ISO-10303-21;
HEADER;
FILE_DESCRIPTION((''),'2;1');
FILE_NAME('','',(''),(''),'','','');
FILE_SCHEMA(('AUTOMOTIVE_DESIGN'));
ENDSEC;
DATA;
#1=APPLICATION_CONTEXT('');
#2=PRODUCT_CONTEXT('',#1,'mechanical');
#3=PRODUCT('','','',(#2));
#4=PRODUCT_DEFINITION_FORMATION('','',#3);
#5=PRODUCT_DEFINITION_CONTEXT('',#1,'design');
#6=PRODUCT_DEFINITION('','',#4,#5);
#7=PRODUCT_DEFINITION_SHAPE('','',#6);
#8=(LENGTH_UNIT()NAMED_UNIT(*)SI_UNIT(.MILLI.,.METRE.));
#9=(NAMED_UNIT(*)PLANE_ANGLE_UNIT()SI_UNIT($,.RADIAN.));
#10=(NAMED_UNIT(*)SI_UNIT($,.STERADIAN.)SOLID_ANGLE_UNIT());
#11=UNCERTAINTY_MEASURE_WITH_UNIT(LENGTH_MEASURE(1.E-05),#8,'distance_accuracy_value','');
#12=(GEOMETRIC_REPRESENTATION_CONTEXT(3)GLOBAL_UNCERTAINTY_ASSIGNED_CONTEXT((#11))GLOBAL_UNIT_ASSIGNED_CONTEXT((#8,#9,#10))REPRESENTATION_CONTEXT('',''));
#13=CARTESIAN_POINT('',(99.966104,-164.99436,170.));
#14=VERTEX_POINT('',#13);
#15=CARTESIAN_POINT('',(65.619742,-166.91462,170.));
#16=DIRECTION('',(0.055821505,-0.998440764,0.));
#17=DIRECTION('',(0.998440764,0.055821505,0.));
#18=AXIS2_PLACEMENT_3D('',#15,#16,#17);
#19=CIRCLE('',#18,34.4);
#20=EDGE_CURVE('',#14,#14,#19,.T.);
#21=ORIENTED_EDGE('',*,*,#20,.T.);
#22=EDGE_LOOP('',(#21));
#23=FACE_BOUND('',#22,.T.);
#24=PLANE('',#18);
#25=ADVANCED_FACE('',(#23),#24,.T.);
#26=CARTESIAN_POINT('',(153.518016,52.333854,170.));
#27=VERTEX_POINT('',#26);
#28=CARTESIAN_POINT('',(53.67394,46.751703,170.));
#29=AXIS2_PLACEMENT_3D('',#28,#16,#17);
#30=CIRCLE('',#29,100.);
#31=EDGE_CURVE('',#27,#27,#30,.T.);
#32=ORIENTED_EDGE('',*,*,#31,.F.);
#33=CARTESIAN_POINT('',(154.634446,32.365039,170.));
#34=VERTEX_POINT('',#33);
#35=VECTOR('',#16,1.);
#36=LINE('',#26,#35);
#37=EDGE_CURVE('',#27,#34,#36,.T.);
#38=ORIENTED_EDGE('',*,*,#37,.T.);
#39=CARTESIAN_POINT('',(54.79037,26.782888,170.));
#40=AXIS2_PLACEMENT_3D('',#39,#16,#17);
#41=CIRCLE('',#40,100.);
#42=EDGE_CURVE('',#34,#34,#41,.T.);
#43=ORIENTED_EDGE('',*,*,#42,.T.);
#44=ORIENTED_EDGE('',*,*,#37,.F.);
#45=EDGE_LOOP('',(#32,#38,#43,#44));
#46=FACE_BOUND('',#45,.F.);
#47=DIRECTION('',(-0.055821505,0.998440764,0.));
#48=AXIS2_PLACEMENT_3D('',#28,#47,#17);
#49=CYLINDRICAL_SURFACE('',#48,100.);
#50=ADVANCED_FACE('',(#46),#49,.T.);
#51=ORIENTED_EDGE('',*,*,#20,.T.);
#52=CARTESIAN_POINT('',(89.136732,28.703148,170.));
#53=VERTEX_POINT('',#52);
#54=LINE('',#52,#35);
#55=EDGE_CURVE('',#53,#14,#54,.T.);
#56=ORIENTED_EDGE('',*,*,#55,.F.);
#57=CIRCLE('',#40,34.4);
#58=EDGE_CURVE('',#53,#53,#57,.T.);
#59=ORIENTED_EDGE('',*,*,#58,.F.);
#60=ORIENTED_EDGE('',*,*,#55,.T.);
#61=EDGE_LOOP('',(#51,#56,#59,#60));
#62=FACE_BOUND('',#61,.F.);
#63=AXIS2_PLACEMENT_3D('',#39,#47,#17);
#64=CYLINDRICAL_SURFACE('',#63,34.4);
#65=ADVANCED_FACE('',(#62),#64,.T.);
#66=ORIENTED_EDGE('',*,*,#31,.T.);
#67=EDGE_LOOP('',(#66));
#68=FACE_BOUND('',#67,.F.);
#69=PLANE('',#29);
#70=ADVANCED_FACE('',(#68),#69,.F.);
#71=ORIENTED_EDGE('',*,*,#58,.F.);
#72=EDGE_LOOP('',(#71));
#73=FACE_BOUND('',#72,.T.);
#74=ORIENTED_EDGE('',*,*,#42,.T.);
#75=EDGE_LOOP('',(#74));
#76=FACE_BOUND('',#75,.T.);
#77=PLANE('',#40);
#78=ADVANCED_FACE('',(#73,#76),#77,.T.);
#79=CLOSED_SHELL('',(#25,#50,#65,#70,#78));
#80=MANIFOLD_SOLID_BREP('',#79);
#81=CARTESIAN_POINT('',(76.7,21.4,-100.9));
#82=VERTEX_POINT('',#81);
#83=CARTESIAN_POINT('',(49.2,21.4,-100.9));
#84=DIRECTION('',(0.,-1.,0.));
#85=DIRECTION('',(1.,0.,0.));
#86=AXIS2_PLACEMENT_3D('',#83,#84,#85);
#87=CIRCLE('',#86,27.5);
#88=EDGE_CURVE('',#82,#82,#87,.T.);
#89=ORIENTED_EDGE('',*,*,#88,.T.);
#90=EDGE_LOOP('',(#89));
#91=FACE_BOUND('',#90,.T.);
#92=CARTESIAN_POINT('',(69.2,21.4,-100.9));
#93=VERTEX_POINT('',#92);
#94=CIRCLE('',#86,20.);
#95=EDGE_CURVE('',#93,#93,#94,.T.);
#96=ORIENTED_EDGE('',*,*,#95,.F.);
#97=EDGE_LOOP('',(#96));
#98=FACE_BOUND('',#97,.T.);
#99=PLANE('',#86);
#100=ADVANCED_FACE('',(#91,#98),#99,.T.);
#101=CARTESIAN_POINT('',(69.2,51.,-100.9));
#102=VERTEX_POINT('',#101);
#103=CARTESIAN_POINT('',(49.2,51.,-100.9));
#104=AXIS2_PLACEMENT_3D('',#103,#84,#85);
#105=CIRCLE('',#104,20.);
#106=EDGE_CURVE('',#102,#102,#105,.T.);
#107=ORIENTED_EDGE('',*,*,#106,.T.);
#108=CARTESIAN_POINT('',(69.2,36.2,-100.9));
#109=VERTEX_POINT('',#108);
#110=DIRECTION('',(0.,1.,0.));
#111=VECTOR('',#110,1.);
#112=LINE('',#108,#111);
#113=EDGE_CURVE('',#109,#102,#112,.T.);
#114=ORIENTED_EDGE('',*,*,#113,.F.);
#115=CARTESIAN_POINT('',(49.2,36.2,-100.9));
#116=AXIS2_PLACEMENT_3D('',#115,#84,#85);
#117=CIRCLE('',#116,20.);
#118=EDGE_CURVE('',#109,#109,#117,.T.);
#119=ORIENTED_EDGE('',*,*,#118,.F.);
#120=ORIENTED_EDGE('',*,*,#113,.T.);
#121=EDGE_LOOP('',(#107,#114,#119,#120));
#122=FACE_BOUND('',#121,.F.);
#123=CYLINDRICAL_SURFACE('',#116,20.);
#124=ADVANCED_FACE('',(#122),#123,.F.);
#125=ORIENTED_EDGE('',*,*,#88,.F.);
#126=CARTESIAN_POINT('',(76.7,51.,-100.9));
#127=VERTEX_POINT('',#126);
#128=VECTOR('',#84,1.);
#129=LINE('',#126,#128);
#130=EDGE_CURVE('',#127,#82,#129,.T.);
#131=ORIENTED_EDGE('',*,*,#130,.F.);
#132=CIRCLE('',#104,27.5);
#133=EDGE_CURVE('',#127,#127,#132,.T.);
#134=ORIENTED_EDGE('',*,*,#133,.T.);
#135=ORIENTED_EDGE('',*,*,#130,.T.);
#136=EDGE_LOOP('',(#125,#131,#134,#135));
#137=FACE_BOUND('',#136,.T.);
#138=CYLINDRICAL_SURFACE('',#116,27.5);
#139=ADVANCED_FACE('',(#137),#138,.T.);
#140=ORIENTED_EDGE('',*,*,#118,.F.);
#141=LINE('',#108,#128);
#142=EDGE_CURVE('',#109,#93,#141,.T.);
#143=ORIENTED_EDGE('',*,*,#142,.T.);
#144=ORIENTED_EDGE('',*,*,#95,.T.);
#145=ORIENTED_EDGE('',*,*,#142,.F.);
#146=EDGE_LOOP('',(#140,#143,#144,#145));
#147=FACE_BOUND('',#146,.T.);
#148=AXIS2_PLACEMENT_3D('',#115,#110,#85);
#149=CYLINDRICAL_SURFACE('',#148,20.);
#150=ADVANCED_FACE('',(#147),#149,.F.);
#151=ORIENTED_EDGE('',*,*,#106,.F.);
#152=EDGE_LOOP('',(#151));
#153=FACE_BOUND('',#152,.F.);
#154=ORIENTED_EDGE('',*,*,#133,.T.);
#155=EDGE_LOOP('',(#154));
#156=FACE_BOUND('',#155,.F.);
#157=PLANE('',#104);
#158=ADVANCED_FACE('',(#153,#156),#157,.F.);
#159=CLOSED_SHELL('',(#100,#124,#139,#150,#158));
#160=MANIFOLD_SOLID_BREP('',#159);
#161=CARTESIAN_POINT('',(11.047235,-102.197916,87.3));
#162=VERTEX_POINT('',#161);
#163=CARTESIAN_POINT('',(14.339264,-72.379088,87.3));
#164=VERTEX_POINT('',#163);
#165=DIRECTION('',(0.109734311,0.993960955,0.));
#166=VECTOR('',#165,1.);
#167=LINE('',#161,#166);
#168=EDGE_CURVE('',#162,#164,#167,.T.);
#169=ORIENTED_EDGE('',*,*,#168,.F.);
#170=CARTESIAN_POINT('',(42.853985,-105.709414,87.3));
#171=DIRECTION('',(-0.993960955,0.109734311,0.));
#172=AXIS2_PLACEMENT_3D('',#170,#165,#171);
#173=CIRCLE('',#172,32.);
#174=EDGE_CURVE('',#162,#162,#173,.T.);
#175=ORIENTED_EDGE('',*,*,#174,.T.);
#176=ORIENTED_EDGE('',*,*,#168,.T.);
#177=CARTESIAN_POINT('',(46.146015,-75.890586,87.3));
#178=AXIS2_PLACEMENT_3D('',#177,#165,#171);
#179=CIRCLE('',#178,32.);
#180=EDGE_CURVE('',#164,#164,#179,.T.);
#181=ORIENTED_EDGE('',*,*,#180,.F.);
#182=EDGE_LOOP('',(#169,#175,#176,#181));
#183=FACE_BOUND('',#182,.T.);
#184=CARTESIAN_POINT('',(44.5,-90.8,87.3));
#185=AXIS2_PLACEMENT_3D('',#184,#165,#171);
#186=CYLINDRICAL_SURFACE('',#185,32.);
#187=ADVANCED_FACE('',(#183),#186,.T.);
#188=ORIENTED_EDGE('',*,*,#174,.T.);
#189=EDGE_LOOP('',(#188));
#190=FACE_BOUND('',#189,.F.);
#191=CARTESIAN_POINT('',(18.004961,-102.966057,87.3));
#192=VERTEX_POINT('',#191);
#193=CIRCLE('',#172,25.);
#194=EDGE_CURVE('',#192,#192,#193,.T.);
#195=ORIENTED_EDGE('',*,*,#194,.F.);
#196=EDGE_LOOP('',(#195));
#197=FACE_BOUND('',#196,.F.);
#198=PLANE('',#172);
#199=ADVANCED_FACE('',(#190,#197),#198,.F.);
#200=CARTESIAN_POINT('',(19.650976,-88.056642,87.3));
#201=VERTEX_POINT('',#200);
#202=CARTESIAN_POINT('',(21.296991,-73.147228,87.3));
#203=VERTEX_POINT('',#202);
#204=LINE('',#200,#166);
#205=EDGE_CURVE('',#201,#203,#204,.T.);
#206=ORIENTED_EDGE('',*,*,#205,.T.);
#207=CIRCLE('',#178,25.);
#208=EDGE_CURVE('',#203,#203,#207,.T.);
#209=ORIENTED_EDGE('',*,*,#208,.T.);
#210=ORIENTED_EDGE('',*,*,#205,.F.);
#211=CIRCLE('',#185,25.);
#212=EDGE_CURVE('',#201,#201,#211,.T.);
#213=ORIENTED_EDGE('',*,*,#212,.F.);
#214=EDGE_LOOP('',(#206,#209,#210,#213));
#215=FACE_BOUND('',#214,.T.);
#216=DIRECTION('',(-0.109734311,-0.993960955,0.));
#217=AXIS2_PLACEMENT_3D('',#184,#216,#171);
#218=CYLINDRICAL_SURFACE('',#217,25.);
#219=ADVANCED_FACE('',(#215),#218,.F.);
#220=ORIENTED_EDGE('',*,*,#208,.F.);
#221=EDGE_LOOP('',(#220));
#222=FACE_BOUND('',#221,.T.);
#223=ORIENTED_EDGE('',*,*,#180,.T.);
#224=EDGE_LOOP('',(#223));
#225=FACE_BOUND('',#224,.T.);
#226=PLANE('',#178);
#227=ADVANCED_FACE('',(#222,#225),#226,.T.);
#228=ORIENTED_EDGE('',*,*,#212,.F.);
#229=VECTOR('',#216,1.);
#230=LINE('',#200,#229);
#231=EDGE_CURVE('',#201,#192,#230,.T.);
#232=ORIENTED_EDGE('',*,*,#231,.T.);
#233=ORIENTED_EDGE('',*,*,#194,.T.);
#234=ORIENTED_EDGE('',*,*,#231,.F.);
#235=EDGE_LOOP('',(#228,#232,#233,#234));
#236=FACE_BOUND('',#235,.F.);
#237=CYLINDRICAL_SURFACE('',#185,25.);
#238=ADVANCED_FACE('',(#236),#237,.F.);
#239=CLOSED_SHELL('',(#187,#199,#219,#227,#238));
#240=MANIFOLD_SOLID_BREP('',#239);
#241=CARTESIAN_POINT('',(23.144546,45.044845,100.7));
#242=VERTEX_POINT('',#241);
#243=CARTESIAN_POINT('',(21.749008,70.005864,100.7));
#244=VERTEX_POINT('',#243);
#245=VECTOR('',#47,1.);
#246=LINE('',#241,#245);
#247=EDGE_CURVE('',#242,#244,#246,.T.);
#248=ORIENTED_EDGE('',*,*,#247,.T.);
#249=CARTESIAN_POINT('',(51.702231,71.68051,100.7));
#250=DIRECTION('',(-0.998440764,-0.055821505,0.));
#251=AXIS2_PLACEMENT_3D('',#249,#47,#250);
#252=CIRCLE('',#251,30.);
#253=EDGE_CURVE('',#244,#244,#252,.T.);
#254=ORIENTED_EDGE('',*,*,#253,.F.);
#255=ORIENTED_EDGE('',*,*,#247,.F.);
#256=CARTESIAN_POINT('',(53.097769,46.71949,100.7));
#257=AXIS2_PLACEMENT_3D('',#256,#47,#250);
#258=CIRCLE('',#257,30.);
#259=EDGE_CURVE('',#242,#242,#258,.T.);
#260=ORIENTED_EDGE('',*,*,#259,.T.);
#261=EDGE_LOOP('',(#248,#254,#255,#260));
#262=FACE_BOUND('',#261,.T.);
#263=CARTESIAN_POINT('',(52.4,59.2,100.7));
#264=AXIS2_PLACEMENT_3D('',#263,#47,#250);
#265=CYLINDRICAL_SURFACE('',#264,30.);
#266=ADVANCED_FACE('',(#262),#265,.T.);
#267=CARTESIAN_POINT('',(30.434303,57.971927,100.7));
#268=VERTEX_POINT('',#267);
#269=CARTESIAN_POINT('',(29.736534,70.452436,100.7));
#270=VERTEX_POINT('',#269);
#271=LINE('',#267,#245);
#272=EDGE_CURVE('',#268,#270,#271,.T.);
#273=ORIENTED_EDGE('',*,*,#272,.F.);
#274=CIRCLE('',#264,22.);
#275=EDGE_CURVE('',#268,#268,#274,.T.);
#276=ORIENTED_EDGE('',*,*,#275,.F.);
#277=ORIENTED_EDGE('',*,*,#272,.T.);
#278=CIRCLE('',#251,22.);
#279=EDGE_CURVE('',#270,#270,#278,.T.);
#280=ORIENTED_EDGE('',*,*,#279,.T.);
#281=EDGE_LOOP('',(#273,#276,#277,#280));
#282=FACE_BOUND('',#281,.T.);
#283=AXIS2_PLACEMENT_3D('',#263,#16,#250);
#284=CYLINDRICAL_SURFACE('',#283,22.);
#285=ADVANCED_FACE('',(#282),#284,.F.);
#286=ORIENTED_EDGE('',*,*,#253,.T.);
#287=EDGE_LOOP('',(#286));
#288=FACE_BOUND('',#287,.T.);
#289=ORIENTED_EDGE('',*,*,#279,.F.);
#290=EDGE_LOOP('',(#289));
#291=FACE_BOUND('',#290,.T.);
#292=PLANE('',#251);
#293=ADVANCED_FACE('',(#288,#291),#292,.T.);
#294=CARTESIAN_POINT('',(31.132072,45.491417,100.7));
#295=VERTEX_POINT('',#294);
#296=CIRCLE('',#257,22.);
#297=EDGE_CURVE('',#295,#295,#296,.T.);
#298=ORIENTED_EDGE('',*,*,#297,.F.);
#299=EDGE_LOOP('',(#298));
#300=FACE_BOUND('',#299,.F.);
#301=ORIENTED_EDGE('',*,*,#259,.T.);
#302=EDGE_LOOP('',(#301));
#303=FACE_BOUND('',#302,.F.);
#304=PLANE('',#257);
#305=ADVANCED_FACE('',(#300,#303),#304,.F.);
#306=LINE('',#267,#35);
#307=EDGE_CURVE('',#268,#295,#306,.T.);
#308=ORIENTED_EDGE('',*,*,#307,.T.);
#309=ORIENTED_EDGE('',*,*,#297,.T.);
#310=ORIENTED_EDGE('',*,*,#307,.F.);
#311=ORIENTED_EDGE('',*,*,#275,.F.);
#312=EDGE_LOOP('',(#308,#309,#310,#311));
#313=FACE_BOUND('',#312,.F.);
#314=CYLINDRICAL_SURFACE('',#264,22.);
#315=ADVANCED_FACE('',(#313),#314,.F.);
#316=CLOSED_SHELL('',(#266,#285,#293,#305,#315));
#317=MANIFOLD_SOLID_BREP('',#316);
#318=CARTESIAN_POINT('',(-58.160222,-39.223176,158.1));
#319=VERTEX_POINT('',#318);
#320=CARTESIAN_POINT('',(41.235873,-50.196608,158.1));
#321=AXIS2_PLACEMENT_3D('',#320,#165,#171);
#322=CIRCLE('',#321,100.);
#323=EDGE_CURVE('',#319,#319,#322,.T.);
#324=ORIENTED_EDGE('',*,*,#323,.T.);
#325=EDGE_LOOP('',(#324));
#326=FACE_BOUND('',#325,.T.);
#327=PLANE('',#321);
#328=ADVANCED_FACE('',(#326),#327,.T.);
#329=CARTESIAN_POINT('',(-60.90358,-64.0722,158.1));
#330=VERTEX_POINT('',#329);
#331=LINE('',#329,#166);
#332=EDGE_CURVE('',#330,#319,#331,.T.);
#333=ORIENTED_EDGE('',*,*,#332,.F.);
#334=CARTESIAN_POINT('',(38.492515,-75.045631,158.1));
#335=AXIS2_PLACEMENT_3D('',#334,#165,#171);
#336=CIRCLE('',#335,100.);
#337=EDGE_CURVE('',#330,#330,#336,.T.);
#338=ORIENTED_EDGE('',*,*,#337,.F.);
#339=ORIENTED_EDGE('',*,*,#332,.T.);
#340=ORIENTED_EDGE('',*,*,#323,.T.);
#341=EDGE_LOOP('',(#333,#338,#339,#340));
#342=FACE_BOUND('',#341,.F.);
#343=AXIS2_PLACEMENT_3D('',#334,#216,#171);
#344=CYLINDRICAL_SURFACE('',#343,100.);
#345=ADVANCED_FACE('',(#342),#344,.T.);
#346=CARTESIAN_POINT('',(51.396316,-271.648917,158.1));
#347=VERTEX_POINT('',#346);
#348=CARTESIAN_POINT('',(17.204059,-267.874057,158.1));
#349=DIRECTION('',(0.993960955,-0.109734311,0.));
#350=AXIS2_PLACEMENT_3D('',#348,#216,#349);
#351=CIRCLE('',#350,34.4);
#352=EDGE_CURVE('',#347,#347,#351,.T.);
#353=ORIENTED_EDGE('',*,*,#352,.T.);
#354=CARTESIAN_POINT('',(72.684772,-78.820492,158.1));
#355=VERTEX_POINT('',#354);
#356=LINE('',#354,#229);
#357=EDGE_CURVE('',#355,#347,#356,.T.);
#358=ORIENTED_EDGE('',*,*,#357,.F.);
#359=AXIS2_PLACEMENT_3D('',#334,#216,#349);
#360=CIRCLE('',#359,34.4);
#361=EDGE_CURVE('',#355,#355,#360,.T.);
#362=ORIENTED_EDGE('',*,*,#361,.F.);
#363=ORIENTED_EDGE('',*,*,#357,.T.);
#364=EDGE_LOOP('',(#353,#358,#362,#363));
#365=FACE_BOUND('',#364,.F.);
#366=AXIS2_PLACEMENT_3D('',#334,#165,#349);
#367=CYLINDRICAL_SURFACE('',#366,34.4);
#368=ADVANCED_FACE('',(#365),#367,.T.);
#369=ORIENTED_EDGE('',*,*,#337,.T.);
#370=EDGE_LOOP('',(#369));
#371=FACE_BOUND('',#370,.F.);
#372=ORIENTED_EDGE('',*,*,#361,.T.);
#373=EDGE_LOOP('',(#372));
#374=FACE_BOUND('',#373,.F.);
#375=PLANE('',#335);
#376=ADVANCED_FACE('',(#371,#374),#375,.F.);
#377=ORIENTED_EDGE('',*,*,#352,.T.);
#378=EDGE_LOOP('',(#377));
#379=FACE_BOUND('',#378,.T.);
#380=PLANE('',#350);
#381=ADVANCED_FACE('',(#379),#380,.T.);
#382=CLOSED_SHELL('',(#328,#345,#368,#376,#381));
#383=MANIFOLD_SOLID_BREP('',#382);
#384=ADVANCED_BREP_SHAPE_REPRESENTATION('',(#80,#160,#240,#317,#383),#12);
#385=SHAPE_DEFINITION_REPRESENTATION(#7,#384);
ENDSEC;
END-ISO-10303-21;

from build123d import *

# Parameters (mm, degrees)
F2_R           = 27.5
F2_R_2         = 20
F3_DEPTH       = 14.8
F3_DEPTH_BACK  = 14.8
F7_R           = 30
F7_R_2         = 22
F8_DEPTH       = 12.5
F8_DEPTH_BACK  = 12.5
F12_R          = 32
F12_R_2        = 25
F13_DEPTH      = 15
F13_DEPTH_BACK = 15
F14_R          = 100
F15_DEPTH      = 20
F16_R          = 34.4
F17_DEPTH      = 194
F18_R          = 100
F19_DEPTH      = 25
F20_R          = 34.4
F21_DEPTH      = 194


with BuildPart() as f3:
    # F2 (on offset) → F3 (new body, two sides)
    with BuildSketch(Plane.XZ.offset(-36.2)) as f3_sk:
        with Locations((49.2, -100.9)):
            Circle(F2_R)
        with Locations((49.2, -100.9)):
            Circle(F2_R_2, mode=Mode.SUBTRACT)
    extrude(amount=F3_DEPTH)
    extrude(f3_sk.sketch, amount=-F3_DEPTH_BACK)


with BuildPart() as f8:
    # F7 (on face) → F8 (new body, two sides)
    with BuildSketch(Plane(origin=(-3.1361998753, 56.0950443833, 0), x_dir=(-0.9984407642, -0.055821505, 0), z_dir=(-0.055821505, 0.9984407642, 0))) as f8_sk:
        with Locations((-55.6229291387, 100.7)):
            Circle(F7_R)
        with Locations((-55.6229291387, 100.7)):
            Circle(F7_R_2, mode=Mode.SUBTRACT)
    extrude(amount=F8_DEPTH)
    extrude(f8_sk.sketch, amount=-F8_DEPTH_BACK)


with BuildPart() as f13:
    # F12 (on face) → F13 (new body, two sides)
    with BuildSketch(Plane(origin=(-9.3678511125, -84.8529338709, 0), x_dir=(-0.9939609555, 0.1097343111, 0), z_dir=(0.1097343111, 0.9939609555, 0))) as f13_sk:
        with Locations((-54.1951379648, 87.3)):
            Circle(F12_R)
        with Locations((-54.1951379648, 87.3)):
            Circle(F12_R_2, mode=Mode.SUBTRACT)
    extrude(amount=F13_DEPTH)
    extrude(f13_sk.sketch, amount=-F13_DEPTH_BACK)


with BuildPart() as f15:
    # F14 (on face) → F15 (new body)
    with BuildSketch(Plane(origin=(-2.4384310629, 43.6145348311, 0), x_dir=(0.9984407642, 0.055821505, 0), z_dir=(0.055821505, -0.9984407642, 0))):
        with Locations((56.2, 170)):
            Circle(F14_R)
    extrude(amount=F15_DEPTH)

    # F16 (on face) → F17 (join)
    with BuildSketch(Plane(origin=(-1.322000963, 23.6457195474, 0), x_dir=(0.9984407642, 0.055821505, 0), z_dir=(0.055821505, -0.9984407642, 0))):
        with Locations((56.2, 170)):
            Circle(F16_R)
    extrude(amount=F17_DEPTH)


with BuildPart() as f19:
    # F18 (on face) → F19 (new body)
    with BuildSketch(Plane(origin=(-7.7218364462, -69.9435195391, 0), x_dir=(-0.9939609555, 0.1097343111, 0), z_dir=(0.1097343111, 0.9939609555, 0))):
        with Locations((-46.4951379648, 158.1)):
            Circle(F18_R)
    extrude(amount=F19_DEPTH)

    # F20 (on face) → F21 (join)
    with BuildSketch(Plane(origin=(-7.7218364462, -69.9435195391, 0), x_dir=(0.9939609555, -0.1097343111, 0), z_dir=(-0.1097343111, -0.9939609555, 0))):
        with Locations((46.4951379648, 158.1)):
            Circle(F20_R)
    extrude(amount=F21_DEPTH)


solid = Compound([f3.part, f8.part, f13.part, f15.part, f19.part])
